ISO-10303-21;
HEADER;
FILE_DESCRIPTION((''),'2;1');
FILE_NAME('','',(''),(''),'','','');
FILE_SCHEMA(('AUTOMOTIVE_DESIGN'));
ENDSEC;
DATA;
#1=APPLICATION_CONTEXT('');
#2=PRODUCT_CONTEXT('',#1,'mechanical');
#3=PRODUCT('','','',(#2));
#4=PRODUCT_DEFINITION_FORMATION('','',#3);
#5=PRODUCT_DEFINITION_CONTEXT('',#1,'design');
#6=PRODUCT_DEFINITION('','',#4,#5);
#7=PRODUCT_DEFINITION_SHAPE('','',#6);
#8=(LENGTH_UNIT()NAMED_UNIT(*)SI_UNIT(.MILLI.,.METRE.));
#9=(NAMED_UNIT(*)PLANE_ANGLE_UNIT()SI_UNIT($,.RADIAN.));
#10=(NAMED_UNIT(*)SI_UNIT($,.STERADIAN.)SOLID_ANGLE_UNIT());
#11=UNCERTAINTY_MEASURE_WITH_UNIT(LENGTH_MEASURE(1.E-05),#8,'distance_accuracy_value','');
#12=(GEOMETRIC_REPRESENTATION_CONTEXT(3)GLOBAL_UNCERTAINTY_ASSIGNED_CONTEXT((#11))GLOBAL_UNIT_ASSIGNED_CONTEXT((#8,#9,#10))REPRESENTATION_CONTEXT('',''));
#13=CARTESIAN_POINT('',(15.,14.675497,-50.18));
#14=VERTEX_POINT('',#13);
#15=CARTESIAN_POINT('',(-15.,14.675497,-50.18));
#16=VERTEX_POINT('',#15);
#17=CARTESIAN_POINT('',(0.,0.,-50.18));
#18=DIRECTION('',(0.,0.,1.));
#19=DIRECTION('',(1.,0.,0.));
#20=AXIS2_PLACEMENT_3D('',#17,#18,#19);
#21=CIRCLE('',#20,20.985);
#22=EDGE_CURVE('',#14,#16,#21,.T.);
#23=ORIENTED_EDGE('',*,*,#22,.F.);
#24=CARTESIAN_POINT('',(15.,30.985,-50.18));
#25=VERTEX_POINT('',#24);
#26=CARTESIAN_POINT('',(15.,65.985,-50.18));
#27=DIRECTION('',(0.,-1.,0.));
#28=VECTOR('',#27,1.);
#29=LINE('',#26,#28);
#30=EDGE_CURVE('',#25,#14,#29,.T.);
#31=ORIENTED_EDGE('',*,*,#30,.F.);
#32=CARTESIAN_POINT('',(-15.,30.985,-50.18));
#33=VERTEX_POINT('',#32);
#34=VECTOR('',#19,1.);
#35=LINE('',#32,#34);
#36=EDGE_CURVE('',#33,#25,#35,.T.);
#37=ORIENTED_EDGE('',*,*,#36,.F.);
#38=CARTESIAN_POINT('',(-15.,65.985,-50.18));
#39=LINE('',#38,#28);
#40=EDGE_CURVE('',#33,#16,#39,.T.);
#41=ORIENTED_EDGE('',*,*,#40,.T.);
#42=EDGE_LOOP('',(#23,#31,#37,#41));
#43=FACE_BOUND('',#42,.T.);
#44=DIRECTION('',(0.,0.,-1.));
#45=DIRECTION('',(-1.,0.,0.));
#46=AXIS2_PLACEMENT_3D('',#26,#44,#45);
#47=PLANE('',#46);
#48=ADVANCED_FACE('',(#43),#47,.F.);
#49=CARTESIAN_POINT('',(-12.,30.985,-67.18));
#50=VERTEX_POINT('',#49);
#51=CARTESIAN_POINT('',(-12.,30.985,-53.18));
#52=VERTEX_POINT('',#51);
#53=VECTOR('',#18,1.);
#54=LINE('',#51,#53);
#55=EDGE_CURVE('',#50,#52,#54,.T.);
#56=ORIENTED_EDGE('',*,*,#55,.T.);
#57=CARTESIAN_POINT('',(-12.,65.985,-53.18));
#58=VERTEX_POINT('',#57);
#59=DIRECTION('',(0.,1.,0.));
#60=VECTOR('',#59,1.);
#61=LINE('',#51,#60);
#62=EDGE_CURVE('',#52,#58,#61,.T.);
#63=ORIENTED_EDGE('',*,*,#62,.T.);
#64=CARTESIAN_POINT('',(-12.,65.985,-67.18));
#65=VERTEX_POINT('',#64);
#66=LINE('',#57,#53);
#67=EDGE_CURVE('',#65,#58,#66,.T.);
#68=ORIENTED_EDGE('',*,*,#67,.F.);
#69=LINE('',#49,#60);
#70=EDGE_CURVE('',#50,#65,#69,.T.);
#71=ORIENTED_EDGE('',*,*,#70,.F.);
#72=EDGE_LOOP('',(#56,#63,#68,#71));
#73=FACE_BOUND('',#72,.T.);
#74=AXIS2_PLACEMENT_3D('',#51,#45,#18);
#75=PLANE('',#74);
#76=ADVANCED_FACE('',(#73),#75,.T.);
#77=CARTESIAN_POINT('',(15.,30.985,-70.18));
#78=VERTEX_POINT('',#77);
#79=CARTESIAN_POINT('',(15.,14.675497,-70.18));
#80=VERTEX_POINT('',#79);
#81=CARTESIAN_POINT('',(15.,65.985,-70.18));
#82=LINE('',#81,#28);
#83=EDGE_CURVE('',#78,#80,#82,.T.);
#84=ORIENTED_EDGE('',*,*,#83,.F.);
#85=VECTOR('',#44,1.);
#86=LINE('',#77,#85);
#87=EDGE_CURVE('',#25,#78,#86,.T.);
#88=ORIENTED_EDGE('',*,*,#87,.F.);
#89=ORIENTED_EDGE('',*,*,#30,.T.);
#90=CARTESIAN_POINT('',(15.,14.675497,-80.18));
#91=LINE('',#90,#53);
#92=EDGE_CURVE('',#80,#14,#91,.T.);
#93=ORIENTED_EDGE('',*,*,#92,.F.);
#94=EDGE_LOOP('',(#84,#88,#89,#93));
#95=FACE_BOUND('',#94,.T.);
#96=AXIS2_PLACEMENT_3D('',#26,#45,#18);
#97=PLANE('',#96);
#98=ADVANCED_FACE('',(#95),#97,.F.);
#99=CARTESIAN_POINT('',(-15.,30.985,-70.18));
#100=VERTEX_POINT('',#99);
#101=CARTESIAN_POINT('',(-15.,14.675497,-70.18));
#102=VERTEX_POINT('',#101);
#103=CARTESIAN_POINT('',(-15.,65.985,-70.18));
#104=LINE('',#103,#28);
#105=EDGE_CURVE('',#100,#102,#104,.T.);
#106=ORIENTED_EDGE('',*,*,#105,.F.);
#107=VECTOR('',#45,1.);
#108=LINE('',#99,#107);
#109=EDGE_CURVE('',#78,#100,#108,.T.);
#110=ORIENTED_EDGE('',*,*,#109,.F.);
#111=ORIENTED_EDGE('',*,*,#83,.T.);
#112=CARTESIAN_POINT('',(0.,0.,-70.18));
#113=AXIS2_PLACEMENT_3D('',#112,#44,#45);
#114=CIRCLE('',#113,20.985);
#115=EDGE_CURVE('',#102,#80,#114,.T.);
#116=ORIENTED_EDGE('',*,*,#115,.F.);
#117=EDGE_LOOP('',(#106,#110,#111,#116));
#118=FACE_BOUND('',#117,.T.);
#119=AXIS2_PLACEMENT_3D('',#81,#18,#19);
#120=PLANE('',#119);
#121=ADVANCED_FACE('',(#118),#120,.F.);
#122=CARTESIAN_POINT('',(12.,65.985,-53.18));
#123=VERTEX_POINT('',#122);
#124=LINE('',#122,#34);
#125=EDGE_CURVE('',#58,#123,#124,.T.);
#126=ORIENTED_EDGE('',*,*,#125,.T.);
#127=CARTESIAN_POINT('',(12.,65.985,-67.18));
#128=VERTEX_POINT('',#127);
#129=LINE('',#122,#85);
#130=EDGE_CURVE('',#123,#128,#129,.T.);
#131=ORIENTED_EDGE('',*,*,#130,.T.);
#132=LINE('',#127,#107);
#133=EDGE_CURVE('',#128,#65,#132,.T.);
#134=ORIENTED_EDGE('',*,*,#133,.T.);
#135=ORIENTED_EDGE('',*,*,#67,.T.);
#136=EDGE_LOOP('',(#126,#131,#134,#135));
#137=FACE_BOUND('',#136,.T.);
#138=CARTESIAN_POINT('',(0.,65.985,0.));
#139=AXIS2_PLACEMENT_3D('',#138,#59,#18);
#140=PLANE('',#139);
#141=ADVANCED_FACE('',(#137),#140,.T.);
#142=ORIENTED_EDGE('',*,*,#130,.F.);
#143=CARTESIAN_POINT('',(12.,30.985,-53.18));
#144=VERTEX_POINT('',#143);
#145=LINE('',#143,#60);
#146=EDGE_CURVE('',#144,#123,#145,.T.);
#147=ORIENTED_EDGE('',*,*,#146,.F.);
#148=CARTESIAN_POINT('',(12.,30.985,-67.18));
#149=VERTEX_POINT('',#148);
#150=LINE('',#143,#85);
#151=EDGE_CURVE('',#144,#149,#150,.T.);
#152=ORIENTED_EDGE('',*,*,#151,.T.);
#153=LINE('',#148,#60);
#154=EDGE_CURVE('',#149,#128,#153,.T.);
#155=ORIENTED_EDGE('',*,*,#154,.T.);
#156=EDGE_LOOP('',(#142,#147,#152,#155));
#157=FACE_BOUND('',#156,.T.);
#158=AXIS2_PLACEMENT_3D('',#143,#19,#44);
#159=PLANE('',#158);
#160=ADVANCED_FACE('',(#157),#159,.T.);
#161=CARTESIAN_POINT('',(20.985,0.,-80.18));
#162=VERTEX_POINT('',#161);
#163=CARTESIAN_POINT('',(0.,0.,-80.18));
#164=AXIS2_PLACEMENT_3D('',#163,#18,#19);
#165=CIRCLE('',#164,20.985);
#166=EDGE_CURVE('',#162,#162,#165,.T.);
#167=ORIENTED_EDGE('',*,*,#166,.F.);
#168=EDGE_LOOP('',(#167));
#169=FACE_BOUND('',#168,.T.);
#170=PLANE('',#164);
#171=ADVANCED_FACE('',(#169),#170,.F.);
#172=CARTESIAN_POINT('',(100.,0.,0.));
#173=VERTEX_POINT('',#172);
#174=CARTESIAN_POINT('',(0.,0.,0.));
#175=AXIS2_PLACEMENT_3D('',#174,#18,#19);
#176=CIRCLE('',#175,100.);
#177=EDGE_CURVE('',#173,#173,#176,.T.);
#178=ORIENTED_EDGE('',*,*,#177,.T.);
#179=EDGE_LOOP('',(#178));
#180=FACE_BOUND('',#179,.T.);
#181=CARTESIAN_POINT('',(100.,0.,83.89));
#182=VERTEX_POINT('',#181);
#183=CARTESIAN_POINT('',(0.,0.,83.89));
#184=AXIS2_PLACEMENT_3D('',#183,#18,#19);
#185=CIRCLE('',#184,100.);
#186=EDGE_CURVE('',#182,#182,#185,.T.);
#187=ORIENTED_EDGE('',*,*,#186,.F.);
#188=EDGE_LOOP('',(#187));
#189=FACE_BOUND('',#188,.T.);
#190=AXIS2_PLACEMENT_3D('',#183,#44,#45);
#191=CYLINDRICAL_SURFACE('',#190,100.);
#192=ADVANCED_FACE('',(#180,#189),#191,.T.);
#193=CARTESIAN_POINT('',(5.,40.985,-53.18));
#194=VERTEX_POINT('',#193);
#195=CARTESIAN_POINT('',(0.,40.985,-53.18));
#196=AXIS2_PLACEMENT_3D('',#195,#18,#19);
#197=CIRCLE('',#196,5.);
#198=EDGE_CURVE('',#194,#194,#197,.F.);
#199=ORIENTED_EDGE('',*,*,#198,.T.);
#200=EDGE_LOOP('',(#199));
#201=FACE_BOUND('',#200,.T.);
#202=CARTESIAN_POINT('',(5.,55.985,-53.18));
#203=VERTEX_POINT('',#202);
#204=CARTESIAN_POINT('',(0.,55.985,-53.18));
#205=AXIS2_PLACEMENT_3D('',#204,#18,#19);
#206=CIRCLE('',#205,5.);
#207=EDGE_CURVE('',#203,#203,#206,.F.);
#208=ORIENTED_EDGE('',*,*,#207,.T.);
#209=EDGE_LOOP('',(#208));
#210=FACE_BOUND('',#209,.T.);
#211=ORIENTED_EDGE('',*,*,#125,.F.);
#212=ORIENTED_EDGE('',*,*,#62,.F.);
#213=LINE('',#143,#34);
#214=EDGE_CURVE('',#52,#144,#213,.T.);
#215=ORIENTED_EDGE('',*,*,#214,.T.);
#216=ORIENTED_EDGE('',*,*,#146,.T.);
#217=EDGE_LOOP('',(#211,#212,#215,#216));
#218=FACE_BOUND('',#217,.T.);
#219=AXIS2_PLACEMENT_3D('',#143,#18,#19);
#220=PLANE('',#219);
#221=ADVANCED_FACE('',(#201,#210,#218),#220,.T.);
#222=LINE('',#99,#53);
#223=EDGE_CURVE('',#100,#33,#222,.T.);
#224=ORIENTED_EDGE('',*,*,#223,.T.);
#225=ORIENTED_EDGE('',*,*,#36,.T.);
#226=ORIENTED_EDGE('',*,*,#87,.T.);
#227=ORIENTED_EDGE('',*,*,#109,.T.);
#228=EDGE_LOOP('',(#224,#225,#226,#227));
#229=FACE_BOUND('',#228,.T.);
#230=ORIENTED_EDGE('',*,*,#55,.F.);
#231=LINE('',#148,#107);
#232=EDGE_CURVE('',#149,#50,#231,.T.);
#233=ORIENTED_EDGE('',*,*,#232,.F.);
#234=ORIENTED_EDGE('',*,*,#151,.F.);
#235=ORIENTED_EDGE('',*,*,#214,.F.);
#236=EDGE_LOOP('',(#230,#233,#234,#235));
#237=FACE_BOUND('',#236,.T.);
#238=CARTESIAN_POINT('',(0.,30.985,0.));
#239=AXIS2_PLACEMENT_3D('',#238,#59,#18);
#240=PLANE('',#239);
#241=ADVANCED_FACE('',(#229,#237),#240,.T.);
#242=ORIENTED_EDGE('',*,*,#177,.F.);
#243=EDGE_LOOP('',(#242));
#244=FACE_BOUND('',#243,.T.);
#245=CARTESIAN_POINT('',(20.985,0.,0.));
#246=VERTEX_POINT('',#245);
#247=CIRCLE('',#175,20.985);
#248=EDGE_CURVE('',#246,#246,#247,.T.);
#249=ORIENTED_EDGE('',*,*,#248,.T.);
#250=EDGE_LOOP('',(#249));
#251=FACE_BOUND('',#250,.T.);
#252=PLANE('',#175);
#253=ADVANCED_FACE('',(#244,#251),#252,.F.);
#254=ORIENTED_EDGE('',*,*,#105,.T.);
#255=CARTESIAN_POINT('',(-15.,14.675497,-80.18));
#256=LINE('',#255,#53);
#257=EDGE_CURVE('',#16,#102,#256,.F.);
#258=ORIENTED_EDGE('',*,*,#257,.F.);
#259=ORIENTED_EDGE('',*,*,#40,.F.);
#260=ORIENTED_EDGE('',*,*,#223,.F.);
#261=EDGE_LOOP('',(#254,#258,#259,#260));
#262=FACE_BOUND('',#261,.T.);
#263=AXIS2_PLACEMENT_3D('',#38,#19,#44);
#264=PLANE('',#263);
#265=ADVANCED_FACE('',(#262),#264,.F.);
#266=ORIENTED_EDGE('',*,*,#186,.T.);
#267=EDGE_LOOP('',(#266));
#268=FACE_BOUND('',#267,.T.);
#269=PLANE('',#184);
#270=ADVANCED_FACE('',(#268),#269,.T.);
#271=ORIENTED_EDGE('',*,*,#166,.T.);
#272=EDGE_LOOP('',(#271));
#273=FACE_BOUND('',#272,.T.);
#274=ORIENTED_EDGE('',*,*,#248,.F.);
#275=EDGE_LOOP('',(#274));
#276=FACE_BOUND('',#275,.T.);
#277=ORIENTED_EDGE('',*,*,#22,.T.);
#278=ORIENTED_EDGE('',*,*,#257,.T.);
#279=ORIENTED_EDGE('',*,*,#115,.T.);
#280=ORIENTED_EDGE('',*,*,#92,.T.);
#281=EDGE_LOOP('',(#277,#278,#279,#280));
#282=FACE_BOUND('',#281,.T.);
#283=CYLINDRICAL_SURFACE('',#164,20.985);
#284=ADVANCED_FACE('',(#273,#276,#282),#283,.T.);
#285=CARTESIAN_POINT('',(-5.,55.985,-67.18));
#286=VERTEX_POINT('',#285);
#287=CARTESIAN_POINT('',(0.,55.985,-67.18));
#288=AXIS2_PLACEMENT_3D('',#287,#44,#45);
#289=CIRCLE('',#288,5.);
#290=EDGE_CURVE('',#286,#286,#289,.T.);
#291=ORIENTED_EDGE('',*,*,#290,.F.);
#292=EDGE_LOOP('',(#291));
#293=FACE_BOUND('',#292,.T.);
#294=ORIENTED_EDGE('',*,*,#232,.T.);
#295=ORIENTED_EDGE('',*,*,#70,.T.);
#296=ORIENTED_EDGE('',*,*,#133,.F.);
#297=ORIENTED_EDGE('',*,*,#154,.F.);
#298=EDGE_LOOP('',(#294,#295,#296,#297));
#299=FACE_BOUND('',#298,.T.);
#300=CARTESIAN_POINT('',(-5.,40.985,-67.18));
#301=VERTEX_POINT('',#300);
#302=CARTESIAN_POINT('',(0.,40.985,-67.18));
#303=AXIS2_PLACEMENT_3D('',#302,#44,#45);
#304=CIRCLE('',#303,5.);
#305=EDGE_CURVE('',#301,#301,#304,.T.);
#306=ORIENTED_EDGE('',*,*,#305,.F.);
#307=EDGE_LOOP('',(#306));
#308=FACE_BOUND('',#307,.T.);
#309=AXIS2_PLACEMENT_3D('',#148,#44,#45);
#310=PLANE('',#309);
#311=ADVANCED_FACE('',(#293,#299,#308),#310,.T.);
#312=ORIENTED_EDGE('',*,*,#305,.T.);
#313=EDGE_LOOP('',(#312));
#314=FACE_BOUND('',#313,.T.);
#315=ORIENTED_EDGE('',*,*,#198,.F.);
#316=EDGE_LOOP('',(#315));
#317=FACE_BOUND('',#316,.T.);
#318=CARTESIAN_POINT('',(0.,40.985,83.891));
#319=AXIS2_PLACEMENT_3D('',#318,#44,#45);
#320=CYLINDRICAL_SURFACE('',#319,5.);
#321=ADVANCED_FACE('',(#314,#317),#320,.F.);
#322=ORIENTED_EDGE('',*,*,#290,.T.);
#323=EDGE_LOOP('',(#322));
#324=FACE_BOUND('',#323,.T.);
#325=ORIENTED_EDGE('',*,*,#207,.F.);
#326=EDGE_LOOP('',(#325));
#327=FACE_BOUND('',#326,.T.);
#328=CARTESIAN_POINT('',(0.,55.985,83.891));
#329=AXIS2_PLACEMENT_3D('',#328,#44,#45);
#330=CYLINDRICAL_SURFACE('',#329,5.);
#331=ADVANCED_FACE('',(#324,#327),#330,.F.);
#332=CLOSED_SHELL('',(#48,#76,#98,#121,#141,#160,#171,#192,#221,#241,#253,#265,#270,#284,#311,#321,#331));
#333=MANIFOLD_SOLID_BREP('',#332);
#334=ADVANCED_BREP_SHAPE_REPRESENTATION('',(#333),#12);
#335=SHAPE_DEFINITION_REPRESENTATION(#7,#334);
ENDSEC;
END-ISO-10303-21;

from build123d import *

# Parameters (mm, degrees)
SKETCH1_R          = 100
BODY_DEPTH         = 83.89
SKETCH2_R          = 20.985
SHAFT_DEPTH        = 80.18
MOUNT_START        = -6.309503
SKETCH5_W          = 30
SKETCH5_H          = 20
MOUNT_BASE_DEPTH   = 51.309503
SKETCH6_W          = 30
SKETCH6_H          = 20
SKETCH6_W_2        = 24
SKETCH6_H_2        = 14
MOUNT_TONGUE_DEPTH = 35
MOUNT_HOLES_REACH  = 208.935
SKETCH7_R          = 5


with BuildPart() as part:
    # Sketch1 → Body (new body)
    with BuildSketch(Plane.XY):
        Circle(SKETCH1_R)
    extrude(amount=BODY_DEPTH)

    # Sketch2 → Shaft (add)
    with BuildSketch(Plane.XY):
        Circle(SKETCH2_R)
    extrude(amount=-SHAFT_DEPTH)

    # Sketch5 → Mount Base (add)
    with BuildSketch(Plane(origin=(0, 20.985, 0), x_dir=(1, 0, 0), z_dir=(0, 1, 0)).offset(MOUNT_START)):
        with Locations((0, 60.18)):
            Rectangle(SKETCH5_W, SKETCH5_H)
    extrude(amount=MOUNT_BASE_DEPTH)

    # Sketch6 → Mount Tongue (cut)
    with BuildSketch(Plane(origin=(0, 65.985, 0), x_dir=(1, 0, 0), z_dir=(0, 1, 0))):
        with Locations((0, 60.18)):
            Rectangle(SKETCH6_W, SKETCH6_H)
        with Locations((0, 60.18)):
            Rectangle(SKETCH6_W_2, SKETCH6_H_2, mode=Mode.SUBTRACT)
    extrude(amount=-MOUNT_TONGUE_DEPTH, mode=Mode.SUBTRACT)

    # Sketch7 → Mount Holes (cut, up to next)
    with BuildSketch(Plane(origin=(0, 0, -67.18), x_dir=(-1, 0, 0), z_dir=(0, 0, -1)), mode=Mode.PRIVATE) as mount_holes_sk1:
        with Locations((0, 40.985)):
            Circle(SKETCH7_R)
    mount_holes_tool1 = extrude(mount_holes_sk1.sketch, amount=-MOUNT_HOLES_REACH, mode=Mode.PRIVATE) & part.part
    # Sketch7 → Mount Holes (cut, up to next)
    with BuildSketch(Plane(origin=(0, 0, -67.18), x_dir=(-1, 0, 0), z_dir=(0, 0, -1)), mode=Mode.PRIVATE) as mount_holes_sk2:
        with Locations((0, 55.985)):
            Circle(SKETCH7_R)
    mount_holes_tool2 = extrude(mount_holes_sk2.sketch, amount=-MOUNT_HOLES_REACH, mode=Mode.PRIVATE) & part.part
    add(mount_holes_tool1.solids().sort_by_distance((0, 40.985, -67.18))[0], mode=Mode.SUBTRACT)
    add(mount_holes_tool2.solids().sort_by_distance((0, 55.985, -67.18))[0], mode=Mode.SUBTRACT)


solid = part.part
